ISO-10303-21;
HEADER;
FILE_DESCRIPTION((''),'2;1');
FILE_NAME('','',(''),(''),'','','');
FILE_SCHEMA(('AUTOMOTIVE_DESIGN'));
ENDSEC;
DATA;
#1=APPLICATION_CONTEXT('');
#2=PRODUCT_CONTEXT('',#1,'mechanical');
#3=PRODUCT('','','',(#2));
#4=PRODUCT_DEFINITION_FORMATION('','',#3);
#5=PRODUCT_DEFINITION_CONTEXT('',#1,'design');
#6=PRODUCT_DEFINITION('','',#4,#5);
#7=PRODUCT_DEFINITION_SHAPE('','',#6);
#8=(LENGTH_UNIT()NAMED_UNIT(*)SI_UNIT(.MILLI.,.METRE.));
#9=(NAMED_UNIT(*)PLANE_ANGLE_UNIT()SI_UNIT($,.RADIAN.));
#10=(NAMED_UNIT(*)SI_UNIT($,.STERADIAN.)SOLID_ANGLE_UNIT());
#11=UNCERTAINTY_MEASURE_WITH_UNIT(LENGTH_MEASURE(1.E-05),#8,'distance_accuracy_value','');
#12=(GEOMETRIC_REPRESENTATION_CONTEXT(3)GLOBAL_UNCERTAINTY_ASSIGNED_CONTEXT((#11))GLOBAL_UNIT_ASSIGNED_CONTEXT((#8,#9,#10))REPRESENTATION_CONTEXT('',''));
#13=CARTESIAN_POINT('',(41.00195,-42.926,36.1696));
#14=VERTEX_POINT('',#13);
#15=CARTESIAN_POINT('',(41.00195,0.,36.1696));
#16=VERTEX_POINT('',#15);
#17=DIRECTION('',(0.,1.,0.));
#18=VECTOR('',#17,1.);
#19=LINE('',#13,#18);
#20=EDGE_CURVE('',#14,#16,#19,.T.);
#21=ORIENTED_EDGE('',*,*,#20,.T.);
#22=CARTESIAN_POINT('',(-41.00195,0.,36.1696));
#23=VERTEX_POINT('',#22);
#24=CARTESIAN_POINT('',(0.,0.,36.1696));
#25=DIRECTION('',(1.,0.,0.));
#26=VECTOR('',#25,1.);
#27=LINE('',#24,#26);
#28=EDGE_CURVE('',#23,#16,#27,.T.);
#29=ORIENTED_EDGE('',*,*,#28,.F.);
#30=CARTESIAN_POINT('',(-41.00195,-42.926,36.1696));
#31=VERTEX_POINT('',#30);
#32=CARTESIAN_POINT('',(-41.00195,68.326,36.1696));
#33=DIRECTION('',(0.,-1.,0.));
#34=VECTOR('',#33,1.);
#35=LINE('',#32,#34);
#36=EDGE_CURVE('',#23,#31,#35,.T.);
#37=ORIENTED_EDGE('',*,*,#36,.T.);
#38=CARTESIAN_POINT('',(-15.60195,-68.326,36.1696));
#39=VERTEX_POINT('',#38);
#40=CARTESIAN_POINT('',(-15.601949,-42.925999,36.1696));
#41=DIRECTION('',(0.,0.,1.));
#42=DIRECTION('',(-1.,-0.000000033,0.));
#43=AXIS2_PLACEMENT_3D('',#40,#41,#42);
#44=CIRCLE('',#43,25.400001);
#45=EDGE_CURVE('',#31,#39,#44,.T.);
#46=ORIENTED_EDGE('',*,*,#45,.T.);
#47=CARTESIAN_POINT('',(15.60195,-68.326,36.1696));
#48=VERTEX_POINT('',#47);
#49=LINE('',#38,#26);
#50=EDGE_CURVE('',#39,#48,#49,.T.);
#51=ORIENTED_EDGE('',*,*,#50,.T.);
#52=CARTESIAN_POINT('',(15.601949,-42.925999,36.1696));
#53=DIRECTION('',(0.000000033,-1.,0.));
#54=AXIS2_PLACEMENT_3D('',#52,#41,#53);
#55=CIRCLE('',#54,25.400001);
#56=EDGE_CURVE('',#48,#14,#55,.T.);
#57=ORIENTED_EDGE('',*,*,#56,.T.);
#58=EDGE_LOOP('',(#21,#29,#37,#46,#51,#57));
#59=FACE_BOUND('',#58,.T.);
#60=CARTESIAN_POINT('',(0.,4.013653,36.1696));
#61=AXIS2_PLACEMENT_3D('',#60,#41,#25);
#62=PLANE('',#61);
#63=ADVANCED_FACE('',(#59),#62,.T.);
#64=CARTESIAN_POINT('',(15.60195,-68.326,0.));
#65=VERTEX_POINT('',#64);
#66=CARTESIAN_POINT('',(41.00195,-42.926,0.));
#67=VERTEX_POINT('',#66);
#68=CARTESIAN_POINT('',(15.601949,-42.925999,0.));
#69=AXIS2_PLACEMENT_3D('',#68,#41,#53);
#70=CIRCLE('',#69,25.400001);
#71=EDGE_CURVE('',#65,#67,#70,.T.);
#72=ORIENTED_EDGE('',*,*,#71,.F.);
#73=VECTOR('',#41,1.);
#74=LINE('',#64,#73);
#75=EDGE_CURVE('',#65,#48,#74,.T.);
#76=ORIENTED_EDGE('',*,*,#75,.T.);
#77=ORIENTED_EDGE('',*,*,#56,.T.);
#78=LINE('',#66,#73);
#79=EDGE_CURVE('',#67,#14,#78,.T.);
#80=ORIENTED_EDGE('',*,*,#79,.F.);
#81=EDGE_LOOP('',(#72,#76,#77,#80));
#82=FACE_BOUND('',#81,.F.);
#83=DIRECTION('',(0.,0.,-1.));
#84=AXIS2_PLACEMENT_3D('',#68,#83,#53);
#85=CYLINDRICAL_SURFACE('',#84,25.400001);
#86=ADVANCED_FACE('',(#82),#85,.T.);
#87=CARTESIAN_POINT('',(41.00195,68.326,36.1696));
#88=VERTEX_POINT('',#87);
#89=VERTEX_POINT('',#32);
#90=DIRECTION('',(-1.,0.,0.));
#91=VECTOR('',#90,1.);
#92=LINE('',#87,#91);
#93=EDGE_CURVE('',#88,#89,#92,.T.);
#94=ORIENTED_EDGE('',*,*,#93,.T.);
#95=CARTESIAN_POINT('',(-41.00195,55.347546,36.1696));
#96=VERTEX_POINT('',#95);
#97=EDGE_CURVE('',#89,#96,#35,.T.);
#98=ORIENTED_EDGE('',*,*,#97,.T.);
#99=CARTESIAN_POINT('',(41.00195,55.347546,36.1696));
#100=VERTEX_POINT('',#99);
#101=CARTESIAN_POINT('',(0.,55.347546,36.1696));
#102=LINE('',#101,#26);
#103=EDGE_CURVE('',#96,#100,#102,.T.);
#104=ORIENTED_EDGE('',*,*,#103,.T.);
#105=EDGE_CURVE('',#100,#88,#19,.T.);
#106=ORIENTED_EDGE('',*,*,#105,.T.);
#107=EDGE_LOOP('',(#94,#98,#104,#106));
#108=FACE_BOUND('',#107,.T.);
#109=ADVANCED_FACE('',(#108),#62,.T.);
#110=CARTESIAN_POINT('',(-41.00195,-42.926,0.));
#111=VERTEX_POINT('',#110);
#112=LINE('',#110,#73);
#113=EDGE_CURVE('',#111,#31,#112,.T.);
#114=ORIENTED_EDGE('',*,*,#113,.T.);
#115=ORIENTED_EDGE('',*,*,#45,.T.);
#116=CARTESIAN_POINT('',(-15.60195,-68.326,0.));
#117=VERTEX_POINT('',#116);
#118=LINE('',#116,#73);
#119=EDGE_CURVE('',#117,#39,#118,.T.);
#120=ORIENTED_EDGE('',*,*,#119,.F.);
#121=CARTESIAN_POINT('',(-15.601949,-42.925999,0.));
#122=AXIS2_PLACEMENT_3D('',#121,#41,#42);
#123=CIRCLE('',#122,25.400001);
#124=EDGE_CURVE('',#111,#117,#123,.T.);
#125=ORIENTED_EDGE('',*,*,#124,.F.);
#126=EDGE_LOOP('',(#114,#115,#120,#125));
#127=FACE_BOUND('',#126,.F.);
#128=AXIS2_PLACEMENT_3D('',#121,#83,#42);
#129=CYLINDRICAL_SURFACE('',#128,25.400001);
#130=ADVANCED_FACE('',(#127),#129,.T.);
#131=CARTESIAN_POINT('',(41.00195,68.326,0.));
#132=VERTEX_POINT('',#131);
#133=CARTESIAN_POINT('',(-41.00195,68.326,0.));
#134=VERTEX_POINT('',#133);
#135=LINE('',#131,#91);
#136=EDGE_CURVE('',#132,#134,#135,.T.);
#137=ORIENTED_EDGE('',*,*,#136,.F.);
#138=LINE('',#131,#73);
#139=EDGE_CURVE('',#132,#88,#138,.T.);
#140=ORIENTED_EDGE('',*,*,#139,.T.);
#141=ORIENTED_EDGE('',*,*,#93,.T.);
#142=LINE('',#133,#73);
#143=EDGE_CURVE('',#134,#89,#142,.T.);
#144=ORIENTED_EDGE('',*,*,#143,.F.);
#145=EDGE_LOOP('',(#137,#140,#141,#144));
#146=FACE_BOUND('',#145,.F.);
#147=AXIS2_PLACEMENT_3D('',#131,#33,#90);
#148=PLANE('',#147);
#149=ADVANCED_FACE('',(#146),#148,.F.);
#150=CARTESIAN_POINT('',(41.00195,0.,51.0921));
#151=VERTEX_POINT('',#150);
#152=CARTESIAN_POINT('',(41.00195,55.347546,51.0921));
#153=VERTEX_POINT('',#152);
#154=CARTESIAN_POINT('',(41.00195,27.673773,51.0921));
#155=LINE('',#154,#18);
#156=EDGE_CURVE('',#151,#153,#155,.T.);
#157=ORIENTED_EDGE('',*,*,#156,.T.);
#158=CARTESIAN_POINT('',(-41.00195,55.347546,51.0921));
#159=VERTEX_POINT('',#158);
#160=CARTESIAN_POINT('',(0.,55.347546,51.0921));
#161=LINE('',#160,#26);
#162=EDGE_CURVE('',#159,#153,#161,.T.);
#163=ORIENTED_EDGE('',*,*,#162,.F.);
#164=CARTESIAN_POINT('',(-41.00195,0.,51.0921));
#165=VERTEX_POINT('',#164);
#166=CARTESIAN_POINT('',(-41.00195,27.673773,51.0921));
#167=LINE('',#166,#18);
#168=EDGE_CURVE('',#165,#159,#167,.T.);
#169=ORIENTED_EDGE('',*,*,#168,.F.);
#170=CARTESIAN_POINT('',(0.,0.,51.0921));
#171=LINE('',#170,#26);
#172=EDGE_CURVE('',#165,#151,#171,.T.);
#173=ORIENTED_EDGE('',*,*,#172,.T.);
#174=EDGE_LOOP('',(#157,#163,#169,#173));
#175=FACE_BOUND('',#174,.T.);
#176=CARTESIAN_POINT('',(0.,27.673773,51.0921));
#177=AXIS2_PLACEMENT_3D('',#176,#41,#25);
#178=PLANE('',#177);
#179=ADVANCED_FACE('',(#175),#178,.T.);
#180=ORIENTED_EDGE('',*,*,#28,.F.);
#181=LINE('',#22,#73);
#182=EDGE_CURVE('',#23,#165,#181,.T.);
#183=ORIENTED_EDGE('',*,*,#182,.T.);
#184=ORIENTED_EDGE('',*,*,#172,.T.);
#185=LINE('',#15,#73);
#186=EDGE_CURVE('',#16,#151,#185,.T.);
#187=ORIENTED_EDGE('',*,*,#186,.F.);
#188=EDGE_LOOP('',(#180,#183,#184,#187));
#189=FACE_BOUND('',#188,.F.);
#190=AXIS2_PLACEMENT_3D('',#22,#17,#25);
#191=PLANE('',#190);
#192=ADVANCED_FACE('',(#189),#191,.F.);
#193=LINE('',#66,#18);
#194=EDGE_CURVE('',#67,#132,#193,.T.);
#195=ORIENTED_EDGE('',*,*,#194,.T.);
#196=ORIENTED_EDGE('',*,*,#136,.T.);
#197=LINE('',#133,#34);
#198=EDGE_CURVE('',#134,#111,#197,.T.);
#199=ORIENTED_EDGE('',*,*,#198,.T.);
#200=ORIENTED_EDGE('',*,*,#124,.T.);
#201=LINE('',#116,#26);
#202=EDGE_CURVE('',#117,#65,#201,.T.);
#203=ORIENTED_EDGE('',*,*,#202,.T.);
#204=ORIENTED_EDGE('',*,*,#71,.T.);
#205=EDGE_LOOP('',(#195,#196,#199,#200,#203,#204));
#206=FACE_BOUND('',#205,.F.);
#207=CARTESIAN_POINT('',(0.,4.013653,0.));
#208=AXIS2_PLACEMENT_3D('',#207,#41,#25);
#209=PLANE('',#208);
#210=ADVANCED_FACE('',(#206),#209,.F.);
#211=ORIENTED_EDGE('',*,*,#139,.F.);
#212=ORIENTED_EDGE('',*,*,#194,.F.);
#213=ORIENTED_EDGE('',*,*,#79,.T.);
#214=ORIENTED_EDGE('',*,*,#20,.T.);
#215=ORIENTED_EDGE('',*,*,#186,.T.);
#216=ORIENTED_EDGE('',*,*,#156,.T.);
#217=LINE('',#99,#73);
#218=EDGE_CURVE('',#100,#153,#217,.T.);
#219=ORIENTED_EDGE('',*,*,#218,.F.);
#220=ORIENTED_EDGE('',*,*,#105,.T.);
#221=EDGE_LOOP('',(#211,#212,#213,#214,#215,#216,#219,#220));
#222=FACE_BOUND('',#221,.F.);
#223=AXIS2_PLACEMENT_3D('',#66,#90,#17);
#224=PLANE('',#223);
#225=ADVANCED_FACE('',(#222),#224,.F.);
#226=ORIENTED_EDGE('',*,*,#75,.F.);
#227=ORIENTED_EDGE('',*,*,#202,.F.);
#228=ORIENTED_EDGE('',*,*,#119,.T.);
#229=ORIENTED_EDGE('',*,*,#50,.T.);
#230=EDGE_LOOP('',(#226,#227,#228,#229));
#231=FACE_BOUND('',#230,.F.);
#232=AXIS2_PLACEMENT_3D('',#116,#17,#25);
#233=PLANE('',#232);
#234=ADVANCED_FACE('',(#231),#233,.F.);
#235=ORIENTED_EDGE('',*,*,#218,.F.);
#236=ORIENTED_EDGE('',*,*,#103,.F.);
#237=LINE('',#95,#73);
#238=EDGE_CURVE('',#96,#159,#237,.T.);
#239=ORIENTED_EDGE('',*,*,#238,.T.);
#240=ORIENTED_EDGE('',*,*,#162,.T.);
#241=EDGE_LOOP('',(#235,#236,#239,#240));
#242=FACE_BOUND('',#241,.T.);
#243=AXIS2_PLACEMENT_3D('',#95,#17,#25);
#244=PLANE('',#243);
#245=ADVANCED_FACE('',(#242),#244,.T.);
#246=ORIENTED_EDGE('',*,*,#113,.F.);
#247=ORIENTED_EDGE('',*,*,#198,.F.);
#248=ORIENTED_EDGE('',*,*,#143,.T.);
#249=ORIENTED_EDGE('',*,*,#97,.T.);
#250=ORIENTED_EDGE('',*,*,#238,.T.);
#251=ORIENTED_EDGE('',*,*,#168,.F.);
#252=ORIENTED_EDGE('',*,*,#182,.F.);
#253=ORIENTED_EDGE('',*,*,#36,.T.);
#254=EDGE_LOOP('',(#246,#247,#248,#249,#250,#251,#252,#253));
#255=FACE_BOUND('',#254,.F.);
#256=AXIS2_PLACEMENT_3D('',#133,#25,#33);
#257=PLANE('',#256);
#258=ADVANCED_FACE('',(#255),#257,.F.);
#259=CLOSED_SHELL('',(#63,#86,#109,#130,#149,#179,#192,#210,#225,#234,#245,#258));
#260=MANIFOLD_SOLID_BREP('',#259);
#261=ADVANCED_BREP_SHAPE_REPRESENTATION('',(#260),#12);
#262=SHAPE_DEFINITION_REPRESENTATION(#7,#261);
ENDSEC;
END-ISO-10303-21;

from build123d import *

# Parameters (mm, degrees)
F1_DEPTH = 36.1696
F2_W     = 82.0039
F2_H     = 55.347547
F3_DEPTH = 14.9225


with BuildPart() as f1:
    # F0 (on Top) → F1 (new body)
    with BuildSketch(Plane.XY):
        with BuildLine():
            Line((-15.60195, -68.326), (15.60195, -68.326))
            ThreePointArc((15.60195, -68.326), (33.562462, -60.886512), (41.00195, -42.926))
            Line((41.00195, -42.926), (41.00195, 68.326))
            Line((41.00195, 68.326), (-41.00195, 68.326))
            Line((-41.00195, 68.326), (-41.00195, -42.926))
            ThreePointArc((-41.00195, -42.926), (-33.562462, -60.886512), (-15.60195, -68.326))
        make_face()
    extrude(amount=F1_DEPTH)

    # F2 (on face) → F3 (join)
    with BuildSketch(Plane.XY.offset(36.1696)):
        with Locations((0, 27.673773)):
            Rectangle(F2_W, F2_H)
    extrude(amount=F3_DEPTH)


solid = f1.part
